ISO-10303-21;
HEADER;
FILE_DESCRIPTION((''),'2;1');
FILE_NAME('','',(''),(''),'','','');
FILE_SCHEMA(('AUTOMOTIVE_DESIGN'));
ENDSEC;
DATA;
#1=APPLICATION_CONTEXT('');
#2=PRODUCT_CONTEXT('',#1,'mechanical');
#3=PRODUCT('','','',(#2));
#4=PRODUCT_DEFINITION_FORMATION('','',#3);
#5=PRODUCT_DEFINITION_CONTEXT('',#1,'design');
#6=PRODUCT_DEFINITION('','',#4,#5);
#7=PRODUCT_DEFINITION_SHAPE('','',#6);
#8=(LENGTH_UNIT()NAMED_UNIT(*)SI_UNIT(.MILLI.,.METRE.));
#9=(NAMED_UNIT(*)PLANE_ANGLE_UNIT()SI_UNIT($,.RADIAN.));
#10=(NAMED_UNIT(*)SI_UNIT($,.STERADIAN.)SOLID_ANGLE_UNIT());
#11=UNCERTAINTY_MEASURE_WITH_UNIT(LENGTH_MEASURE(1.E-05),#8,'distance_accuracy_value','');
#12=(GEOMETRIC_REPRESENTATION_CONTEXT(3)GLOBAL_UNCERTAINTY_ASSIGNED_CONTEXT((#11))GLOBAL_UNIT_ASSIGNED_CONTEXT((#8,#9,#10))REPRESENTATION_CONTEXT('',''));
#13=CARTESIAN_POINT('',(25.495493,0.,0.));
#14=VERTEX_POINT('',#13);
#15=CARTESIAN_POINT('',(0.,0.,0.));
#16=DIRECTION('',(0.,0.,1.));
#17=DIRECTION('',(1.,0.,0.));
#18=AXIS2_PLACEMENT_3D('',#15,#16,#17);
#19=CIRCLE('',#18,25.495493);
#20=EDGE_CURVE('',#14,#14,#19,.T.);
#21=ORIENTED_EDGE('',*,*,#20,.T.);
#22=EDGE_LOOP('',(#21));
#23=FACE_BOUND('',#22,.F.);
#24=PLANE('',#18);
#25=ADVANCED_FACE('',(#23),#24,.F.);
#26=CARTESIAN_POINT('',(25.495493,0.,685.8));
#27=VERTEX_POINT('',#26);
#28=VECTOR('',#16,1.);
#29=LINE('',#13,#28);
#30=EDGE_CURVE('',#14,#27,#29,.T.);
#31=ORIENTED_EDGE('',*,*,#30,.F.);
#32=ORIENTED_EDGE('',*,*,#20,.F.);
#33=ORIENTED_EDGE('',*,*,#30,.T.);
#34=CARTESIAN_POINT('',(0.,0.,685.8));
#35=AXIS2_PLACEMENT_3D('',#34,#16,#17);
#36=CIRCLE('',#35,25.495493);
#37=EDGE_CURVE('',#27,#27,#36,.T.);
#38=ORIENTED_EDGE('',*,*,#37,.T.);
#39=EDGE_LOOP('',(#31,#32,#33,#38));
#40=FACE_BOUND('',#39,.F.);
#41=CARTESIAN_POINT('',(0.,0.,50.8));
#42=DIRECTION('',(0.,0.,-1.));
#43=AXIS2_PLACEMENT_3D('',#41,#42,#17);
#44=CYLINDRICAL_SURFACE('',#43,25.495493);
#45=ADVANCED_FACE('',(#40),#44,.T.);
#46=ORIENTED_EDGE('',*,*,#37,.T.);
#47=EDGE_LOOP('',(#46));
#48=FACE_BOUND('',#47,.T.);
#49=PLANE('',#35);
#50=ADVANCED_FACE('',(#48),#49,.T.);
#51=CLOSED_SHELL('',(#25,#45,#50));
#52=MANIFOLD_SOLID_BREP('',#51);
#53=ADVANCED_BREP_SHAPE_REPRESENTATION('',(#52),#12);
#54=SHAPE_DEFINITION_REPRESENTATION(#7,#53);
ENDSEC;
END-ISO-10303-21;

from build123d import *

# Parameters (mm, degrees)
F0_R      = 25.495493
F0_R_2    = 7.971043
F1_DEPTH  = 50.8
F1_FACE_R = 25.495493
F2_DEPTH  = 635


with BuildPart() as f1:
    # F0 (on Top) → F1 (new body)
    with BuildSketch(Plane.XY):
        Circle(F0_R)
        Circle(F0_R_2, mode=Mode.SUBTRACT)
        Circle(F0_R_2)
    extrude(amount=F1_DEPTH)

    # F1_face (on face) → F2 (join)
    with BuildSketch(Plane.XY.offset(50.8)):
        Circle(F1_FACE_R)
    extrude(amount=F2_DEPTH)


solid = f1.part
